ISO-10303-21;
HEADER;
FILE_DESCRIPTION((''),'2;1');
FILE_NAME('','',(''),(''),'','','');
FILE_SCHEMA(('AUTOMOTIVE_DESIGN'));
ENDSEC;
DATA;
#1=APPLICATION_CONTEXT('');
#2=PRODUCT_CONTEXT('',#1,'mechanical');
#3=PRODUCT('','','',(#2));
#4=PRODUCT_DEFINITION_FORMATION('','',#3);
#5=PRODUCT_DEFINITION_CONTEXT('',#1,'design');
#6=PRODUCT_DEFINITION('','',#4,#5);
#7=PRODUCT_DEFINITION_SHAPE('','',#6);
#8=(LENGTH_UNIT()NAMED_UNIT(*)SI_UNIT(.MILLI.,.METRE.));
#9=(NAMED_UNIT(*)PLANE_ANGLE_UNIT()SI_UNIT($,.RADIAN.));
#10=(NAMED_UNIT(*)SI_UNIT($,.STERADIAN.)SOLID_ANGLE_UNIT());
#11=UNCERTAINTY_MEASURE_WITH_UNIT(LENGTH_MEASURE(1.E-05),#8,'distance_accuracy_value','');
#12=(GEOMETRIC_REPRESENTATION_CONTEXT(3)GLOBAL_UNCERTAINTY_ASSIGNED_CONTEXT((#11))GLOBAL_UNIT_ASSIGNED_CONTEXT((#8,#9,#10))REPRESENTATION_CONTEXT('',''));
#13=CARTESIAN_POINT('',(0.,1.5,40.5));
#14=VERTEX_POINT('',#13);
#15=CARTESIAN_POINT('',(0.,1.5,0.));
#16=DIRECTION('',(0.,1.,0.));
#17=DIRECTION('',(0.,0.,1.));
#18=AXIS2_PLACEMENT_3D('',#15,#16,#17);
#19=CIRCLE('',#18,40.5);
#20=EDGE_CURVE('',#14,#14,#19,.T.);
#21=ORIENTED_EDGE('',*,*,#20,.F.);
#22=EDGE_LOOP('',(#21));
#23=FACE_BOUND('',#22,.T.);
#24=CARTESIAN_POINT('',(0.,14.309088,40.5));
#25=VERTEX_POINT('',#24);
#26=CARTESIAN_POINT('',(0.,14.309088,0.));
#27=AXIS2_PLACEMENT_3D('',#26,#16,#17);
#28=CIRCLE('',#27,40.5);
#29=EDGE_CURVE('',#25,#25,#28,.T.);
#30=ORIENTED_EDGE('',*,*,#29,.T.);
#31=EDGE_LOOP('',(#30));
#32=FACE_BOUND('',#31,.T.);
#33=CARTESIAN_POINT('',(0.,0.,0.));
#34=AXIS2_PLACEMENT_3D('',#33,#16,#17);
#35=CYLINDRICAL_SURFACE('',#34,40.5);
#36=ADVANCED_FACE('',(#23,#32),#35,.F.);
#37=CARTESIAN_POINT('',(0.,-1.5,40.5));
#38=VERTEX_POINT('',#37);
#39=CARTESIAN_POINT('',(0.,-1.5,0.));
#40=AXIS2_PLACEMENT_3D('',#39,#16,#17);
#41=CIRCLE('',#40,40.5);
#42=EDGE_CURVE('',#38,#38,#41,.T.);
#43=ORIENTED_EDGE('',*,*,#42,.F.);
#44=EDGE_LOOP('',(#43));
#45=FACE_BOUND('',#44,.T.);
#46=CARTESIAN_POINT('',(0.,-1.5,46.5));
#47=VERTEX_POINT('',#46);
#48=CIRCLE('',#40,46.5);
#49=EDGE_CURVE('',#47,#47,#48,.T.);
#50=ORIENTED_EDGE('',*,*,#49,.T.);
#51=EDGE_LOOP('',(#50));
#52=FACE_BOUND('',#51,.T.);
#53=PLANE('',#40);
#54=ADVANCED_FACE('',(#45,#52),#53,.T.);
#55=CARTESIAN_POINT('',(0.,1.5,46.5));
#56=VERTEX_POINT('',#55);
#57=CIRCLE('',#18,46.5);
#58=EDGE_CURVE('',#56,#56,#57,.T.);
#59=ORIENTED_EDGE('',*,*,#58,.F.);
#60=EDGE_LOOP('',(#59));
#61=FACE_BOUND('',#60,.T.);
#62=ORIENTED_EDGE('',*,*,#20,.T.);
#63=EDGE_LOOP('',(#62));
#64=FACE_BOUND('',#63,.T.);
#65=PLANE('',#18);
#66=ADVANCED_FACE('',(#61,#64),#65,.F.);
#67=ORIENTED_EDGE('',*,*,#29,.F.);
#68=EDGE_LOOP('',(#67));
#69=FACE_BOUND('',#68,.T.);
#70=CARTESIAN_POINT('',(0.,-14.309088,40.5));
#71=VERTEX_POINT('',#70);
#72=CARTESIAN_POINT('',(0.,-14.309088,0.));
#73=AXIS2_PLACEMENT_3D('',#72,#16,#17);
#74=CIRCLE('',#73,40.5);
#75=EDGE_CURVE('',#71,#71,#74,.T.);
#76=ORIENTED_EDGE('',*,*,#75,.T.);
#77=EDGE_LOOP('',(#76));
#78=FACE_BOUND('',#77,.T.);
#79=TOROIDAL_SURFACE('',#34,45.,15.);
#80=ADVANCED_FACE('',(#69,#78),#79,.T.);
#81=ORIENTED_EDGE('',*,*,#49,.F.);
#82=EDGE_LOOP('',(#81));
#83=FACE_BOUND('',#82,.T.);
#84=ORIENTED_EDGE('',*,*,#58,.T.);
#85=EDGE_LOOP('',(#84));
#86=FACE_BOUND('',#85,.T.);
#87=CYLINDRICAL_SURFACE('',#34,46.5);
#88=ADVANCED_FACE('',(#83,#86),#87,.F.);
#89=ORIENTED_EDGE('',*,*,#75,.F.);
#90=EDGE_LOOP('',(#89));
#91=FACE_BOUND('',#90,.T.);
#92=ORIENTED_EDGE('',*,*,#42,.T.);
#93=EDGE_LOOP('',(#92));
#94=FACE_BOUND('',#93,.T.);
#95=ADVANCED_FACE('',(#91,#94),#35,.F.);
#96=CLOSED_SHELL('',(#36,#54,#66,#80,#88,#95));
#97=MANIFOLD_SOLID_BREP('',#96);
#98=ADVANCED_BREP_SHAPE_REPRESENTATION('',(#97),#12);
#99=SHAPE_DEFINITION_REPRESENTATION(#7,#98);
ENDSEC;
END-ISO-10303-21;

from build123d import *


with BuildPart() as part:
    # Sketch1 → Revolve1 (revolve)
    with BuildSketch(Plane.XY, mode=Mode.PRIVATE) as revolve1_sk:
        with BuildLine():
            ThreePointArc((-40.5, 14.309088021), (-60, 0), (-40.5, -14.309088021))
            Line((-40.5, -14.309088021), (-40.5, -1.5))
            Line((-40.5, -1.5), (-46.5, -1.5))
            Line((-46.5, -1.5), (-46.5, 1.5))
            Line((-46.5, 1.5), (-40.5, 1.5))
            Line((-40.5, 1.5), (-40.5, 14.309088021))
        make_face()
    revolve(revolve1_sk.sketch.rotate(Axis((0, 0, 0), (0, -1, 0)), 270), axis=Axis((0, 0, 0), (0, -1, 0)))


solid = part.part
